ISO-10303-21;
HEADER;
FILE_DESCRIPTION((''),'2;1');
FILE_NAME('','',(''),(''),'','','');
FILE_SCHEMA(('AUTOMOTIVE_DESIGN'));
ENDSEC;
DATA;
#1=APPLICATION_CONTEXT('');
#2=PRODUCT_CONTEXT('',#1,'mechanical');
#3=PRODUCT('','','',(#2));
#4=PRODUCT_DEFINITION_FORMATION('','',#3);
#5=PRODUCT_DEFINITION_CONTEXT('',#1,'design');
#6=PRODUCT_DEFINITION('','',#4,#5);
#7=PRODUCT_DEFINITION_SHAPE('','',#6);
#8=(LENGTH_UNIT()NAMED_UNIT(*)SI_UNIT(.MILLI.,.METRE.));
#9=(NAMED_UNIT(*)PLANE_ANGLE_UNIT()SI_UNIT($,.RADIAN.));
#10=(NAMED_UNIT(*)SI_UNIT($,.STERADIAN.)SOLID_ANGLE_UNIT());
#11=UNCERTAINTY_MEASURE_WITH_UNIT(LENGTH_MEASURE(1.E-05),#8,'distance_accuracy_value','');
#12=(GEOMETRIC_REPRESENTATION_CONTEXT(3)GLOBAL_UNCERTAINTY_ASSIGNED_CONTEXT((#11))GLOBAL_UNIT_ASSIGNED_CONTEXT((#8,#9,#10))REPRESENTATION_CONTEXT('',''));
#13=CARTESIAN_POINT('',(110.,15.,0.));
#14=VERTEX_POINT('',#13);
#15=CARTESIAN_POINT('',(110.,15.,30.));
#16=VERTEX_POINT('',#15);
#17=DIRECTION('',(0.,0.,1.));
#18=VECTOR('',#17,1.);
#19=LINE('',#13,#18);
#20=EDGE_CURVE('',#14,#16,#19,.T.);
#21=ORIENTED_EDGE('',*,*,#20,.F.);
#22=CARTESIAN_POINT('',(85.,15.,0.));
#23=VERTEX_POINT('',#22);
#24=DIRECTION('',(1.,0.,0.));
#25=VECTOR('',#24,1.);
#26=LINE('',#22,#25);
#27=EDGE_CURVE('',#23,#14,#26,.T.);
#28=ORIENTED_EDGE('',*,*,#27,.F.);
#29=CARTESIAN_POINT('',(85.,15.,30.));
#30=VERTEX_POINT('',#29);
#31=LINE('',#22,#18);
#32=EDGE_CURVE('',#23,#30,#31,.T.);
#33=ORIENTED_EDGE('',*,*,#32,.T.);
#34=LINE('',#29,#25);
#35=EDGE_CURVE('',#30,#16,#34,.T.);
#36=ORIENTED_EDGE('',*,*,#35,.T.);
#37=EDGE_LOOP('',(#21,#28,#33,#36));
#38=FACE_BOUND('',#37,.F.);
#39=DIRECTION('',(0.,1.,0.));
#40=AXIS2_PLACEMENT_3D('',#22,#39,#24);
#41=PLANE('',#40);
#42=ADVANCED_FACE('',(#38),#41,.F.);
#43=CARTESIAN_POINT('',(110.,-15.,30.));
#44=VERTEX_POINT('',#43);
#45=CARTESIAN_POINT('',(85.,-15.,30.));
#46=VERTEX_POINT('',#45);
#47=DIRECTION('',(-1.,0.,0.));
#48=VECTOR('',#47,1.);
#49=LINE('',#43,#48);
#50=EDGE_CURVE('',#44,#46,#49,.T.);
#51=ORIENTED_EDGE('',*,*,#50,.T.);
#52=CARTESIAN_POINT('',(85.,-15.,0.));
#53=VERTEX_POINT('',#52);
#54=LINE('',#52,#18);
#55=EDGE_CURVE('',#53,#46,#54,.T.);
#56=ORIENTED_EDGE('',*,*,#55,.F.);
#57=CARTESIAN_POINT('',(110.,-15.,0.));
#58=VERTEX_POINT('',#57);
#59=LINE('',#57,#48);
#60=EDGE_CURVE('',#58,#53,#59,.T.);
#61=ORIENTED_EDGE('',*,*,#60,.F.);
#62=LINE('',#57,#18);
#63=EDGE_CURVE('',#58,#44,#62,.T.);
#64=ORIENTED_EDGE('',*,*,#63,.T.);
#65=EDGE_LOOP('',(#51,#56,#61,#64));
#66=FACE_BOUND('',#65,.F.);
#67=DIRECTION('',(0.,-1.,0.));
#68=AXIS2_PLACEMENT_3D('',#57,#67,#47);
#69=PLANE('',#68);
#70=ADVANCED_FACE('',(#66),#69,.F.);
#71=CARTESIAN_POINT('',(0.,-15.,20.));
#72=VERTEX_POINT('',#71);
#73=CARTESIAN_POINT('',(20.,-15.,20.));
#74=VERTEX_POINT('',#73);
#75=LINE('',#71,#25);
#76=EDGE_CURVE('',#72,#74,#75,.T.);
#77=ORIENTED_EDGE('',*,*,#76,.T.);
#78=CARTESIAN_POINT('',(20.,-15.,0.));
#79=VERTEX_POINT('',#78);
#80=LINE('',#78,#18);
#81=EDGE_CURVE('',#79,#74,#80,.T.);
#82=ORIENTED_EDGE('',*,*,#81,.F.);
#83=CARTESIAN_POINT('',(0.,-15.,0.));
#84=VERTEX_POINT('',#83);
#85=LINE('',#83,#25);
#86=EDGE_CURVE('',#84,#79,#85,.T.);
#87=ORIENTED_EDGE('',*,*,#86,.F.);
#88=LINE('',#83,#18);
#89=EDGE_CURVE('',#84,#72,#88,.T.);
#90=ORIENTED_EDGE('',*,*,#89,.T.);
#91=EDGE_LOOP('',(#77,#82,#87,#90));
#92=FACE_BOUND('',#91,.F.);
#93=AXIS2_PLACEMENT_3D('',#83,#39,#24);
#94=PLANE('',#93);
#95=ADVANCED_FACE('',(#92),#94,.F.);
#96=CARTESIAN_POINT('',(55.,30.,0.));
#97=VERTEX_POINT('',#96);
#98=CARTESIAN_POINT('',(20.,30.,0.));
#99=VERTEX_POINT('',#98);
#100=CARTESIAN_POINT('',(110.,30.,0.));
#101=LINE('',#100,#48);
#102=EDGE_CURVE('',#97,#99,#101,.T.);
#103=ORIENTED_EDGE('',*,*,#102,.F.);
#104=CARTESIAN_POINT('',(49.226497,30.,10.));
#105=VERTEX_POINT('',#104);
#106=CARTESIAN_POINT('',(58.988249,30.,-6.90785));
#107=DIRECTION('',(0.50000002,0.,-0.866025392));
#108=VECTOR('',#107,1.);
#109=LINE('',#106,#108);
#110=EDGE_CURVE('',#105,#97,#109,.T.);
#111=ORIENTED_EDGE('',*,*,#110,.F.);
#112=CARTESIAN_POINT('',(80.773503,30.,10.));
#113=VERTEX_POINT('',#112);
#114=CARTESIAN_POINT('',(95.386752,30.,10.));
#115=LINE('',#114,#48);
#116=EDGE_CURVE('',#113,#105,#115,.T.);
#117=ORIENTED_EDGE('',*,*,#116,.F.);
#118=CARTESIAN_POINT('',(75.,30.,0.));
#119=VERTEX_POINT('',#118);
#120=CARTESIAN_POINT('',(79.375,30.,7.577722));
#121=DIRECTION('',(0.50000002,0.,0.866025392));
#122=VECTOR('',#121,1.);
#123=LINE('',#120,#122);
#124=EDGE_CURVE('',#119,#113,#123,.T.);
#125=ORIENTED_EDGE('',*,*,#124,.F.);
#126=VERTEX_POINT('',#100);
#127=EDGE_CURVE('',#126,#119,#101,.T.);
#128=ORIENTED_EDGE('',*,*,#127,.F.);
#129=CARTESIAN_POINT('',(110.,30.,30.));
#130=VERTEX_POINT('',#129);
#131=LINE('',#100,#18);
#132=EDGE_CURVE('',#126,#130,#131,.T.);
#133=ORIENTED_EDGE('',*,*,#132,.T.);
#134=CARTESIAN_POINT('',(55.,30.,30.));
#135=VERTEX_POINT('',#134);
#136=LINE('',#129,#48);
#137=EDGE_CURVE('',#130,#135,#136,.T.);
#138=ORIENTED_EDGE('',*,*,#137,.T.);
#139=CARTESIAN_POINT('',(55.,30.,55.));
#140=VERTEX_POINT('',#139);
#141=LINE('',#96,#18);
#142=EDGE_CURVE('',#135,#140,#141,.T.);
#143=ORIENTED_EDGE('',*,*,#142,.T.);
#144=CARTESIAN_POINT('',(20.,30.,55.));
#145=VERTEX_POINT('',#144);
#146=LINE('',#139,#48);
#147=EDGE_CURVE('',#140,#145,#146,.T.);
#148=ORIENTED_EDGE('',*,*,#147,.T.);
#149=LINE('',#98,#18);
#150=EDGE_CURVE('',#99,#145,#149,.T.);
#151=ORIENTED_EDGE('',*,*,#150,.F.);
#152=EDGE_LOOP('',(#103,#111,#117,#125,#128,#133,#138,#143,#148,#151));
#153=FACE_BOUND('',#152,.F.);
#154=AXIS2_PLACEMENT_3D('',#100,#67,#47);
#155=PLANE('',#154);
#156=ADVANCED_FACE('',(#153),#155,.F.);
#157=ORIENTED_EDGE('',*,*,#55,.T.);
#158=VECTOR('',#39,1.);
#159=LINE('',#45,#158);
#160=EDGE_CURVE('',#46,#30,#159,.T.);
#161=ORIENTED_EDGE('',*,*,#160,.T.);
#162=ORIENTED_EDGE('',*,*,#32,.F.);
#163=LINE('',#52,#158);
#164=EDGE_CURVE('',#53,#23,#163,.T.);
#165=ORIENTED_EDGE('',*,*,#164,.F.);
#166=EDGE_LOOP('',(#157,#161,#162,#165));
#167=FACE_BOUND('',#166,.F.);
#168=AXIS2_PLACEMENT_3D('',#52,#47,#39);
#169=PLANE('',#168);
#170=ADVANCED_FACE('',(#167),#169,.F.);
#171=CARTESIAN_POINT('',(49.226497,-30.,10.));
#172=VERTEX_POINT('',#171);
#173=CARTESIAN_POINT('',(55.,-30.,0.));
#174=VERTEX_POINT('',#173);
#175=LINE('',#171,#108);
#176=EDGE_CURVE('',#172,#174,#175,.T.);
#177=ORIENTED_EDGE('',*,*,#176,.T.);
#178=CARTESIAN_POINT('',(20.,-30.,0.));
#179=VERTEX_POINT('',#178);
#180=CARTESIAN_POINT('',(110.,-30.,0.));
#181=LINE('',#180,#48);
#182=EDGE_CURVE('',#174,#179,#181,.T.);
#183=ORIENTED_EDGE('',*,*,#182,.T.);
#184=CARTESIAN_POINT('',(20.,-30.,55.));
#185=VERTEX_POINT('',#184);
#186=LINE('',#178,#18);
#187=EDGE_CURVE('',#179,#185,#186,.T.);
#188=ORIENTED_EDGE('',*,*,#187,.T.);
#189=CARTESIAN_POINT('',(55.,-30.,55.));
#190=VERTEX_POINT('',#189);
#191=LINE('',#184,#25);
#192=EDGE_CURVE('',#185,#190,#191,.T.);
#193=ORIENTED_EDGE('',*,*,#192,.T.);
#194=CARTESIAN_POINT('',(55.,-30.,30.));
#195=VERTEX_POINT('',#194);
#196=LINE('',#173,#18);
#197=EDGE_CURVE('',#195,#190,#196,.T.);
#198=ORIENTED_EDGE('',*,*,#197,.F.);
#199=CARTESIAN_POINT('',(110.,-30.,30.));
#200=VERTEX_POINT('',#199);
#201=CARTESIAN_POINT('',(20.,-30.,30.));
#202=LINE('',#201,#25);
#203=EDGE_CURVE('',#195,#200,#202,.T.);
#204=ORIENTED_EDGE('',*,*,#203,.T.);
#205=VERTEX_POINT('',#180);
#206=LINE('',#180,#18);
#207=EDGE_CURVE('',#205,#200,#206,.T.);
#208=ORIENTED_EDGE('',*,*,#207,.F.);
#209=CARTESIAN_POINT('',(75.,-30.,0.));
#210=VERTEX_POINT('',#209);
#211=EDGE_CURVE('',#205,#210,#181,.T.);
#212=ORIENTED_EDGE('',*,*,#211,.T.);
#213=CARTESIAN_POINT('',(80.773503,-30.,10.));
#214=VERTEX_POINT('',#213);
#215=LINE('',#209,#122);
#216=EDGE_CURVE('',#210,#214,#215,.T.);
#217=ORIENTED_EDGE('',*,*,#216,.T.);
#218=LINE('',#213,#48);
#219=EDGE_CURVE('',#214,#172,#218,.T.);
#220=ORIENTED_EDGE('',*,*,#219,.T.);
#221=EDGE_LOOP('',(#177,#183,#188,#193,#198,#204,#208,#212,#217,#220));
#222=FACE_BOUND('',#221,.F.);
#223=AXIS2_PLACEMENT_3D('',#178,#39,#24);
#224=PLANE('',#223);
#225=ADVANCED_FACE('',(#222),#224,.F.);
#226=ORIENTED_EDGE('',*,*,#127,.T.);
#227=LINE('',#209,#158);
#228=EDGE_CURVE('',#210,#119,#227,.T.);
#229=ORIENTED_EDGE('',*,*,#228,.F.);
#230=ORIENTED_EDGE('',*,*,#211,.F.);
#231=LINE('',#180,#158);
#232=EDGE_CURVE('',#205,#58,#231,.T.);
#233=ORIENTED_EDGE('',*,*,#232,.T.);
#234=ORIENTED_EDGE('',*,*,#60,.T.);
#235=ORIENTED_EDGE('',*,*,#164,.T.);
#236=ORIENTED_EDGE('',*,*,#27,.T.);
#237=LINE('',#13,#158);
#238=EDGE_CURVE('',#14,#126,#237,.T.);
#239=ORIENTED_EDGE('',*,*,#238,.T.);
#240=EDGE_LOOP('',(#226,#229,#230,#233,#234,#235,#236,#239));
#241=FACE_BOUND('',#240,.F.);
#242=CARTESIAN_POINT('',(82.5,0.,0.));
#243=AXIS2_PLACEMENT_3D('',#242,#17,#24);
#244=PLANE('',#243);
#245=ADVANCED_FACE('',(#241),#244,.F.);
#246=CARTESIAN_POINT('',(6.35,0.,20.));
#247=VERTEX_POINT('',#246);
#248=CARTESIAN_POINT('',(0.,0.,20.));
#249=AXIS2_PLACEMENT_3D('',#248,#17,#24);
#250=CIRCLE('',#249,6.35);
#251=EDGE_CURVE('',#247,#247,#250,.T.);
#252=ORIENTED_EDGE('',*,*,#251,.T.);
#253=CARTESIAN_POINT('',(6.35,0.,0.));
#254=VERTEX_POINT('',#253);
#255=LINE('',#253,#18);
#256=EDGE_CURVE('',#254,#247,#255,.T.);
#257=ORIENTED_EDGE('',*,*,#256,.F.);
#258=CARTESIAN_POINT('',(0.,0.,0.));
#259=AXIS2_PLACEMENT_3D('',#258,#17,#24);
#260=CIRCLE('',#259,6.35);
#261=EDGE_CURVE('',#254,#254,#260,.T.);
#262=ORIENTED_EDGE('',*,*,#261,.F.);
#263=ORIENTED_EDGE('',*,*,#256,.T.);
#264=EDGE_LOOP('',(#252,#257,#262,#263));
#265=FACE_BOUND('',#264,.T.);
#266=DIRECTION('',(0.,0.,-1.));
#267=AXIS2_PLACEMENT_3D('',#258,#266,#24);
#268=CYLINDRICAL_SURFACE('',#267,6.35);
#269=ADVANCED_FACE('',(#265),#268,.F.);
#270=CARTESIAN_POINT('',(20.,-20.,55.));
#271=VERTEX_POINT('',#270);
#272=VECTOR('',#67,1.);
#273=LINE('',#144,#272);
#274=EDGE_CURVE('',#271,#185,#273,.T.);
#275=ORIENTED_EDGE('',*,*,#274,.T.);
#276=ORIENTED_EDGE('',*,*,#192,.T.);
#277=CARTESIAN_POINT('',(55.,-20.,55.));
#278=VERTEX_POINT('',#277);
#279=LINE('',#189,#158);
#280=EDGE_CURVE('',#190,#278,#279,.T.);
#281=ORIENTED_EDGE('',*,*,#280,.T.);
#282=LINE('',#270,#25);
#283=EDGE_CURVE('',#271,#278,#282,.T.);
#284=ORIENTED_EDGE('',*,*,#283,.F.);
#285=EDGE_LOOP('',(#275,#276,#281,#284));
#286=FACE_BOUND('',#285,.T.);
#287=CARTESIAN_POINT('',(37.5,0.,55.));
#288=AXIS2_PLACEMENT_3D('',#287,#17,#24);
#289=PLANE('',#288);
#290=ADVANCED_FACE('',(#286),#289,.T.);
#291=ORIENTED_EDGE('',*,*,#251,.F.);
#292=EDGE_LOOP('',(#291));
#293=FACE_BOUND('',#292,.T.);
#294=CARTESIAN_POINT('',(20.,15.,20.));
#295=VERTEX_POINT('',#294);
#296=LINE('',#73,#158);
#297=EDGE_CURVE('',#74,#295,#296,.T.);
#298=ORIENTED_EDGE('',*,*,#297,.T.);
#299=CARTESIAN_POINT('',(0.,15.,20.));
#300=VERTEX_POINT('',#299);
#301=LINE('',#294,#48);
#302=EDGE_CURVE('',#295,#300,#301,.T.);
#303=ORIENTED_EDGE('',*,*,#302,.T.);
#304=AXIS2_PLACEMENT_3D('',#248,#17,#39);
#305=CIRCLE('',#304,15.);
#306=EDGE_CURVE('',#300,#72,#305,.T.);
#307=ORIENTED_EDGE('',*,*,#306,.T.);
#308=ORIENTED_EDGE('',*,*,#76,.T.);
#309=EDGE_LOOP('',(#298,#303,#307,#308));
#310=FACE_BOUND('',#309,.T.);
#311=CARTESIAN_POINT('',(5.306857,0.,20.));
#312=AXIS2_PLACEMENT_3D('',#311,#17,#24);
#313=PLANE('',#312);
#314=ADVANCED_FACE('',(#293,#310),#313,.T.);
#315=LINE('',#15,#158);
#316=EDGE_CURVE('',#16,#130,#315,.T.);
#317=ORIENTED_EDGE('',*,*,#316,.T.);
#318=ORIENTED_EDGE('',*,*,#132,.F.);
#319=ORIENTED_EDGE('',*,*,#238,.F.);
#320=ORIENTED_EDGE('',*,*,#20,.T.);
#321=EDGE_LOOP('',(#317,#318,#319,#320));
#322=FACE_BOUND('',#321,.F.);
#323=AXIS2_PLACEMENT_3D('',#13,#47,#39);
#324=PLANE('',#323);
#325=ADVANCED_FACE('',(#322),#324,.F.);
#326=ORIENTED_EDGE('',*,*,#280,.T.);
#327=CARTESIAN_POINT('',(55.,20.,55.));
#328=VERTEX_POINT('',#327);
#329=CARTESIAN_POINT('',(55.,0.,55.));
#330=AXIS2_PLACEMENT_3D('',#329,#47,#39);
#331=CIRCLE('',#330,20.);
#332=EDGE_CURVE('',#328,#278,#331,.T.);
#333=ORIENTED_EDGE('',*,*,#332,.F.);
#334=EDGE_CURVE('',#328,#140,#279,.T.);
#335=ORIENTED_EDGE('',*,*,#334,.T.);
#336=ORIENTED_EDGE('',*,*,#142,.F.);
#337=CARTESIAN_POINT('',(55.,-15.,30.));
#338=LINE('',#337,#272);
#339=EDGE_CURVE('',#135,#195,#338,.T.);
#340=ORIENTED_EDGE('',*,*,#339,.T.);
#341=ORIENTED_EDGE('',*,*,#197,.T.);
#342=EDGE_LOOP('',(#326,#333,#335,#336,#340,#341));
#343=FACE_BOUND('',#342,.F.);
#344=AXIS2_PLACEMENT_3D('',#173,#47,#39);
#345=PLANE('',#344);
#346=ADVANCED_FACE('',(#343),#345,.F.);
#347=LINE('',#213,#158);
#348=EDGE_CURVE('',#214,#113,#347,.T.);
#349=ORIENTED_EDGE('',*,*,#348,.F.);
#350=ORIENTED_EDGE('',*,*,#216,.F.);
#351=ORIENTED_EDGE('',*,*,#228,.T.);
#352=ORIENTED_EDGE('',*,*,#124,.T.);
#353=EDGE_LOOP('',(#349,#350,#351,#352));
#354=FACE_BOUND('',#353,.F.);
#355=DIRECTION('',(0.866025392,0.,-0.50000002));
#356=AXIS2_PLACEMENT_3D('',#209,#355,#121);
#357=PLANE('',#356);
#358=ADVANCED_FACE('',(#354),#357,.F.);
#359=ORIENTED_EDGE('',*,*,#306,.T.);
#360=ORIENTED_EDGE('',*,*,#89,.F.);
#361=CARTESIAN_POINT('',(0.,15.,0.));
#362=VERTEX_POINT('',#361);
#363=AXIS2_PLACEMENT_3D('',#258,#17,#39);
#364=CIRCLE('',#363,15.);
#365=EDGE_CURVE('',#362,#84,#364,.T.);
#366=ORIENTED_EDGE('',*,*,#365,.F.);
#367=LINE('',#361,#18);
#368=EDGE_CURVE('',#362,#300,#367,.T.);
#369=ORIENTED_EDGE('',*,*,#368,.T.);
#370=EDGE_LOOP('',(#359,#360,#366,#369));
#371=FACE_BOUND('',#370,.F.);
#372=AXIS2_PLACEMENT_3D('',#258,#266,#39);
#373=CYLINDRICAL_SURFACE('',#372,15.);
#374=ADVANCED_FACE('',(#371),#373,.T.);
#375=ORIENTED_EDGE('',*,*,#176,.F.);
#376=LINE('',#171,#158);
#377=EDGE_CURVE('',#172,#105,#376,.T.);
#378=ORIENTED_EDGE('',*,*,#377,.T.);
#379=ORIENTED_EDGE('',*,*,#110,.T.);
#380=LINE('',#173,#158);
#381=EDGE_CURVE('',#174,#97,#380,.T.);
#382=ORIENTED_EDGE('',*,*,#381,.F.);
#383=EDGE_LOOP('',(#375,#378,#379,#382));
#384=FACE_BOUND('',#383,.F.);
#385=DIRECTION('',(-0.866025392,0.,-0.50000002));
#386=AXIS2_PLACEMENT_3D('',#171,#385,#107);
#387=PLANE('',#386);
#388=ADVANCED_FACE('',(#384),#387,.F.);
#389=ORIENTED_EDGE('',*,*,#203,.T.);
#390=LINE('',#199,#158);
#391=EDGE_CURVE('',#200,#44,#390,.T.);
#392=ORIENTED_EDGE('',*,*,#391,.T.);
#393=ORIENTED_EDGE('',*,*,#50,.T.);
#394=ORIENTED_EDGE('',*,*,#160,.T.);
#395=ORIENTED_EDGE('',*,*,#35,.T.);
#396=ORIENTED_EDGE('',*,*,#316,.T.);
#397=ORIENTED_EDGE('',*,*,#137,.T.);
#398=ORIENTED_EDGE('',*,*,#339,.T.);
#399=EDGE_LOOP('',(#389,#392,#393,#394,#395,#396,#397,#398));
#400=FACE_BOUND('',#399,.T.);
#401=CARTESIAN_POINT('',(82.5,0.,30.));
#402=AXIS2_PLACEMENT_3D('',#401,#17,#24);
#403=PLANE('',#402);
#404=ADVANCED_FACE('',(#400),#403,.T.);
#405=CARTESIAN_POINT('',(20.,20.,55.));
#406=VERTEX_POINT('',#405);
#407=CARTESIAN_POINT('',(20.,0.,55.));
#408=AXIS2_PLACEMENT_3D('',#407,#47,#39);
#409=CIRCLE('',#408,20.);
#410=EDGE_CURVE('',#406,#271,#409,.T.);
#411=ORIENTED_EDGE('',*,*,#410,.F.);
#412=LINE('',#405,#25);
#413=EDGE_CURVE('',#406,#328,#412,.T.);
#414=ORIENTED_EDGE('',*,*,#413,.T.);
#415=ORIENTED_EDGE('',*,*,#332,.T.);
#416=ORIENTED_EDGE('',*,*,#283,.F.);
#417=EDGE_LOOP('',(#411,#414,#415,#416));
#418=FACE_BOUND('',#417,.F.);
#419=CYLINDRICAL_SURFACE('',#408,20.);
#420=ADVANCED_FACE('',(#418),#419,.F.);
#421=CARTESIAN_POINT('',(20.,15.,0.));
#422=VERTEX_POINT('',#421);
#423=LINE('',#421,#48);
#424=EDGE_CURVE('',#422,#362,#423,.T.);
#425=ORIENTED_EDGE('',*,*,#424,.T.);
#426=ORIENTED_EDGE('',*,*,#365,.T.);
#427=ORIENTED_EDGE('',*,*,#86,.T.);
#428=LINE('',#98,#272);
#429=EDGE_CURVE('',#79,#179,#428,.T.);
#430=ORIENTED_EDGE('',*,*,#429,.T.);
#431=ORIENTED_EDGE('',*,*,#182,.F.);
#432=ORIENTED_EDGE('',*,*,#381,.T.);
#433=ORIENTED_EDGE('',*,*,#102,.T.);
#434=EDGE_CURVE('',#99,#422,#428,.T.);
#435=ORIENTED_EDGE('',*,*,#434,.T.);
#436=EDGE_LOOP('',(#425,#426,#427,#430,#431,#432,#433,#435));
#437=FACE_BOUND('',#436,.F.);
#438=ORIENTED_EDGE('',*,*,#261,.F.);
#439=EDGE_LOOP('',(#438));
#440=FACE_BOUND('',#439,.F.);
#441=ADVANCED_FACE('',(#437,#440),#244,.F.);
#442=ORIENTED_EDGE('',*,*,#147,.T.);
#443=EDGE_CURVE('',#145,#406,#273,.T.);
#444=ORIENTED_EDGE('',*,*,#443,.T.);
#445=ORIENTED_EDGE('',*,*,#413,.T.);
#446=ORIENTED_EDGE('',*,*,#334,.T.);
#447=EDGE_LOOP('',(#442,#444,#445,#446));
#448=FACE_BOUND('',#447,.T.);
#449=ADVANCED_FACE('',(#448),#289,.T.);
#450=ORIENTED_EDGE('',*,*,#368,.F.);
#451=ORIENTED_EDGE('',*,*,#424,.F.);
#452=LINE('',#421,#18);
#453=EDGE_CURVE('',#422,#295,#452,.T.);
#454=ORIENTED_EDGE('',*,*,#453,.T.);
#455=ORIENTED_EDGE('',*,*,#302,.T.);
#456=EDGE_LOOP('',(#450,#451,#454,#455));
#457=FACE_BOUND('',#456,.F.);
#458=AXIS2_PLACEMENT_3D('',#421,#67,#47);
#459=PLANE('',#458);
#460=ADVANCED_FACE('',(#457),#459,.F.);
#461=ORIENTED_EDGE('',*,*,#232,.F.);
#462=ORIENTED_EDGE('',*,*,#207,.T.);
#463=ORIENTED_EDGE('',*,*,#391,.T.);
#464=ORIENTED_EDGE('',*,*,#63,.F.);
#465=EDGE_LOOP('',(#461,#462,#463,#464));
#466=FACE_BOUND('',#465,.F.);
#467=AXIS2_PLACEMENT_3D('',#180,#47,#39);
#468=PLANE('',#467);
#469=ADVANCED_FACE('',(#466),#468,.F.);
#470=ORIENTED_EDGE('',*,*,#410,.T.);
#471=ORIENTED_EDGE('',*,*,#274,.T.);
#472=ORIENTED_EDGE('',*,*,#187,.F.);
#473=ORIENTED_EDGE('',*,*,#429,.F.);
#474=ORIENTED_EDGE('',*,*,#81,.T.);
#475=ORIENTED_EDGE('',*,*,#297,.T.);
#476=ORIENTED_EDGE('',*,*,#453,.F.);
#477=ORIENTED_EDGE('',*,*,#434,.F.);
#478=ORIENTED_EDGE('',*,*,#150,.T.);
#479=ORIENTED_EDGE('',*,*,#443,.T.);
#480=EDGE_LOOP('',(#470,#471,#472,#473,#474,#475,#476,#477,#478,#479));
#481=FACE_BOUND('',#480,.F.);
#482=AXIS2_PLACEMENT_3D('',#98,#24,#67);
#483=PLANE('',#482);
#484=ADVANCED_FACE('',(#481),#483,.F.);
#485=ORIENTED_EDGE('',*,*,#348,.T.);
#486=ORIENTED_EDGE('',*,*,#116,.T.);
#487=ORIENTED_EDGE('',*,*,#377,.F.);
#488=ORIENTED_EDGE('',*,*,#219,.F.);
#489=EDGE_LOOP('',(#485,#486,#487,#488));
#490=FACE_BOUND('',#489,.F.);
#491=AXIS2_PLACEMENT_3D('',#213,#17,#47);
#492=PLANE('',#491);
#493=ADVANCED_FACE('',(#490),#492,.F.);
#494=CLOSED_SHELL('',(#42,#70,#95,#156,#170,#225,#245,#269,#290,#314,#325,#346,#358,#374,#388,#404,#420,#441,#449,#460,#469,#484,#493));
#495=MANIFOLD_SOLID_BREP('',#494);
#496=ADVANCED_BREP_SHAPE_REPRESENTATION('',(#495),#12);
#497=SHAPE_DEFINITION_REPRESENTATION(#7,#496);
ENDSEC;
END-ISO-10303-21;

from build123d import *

# Parameters (mm, degrees)
F0_R     = 6.35
F1_DEPTH = 20
F2_DEPTH = 30
F3_DEPTH = 55
F5_DEPTH = 90.001
F7_DEPTH = 60.001


with BuildPart() as f1:
    # F0 (on Top) → F1 (new body)
    with BuildSketch(Plane.XY):
        with BuildLine():
            Line((20, -15), (20, 15))
            Line((20, 15), (0, 15))
            ThreePointArc((0, 15), (-15, 0), (0, -15))
            Line((0, -15), (20, -15))
        make_face()
        Circle(F0_R, mode=Mode.SUBTRACT)
    extrude(amount=F1_DEPTH)

    # F0 (on Top) → F2 (join)
    with BuildSketch(Plane.XY):
        Polygon((110, 30), (55, 30), (55, -30), (110, -30), (110, -15), (85, -15), (85, 15), (110, 15), align=None)
        Polygon((55, 30), (20, 30), (20, 15), (20, -15), (20, -30), (55, -30), align=None)
    extrude(amount=F2_DEPTH)

    # F0 (on Top) → F3 (join)
    with BuildSketch(Plane.XY):
        Polygon((55, 30), (20, 30), (20, 15), (20, -15), (20, -30), (55, -30), align=None)
    extrude(amount=F3_DEPTH)

    # F4 (on face) → F5 (cut, through all)
    with BuildSketch(Plane(origin=(20, 0, 0), x_dir=(0, -1, 0), z_dir=(-1, 0, 0))):
        with BuildLine():
            Line((20, 55), (-20, 55))
            ThreePointArc((-20, 55), (0, 35), (20, 55))
        make_face()
    extrude(amount=-F5_DEPTH, mode=Mode.SUBTRACT)

    # F6 (on face) → F7 (cut, through all)
    with BuildSketch(Plane.XZ.offset(30)):
        Polygon((49.226497, 10), (55, 0), (75, 0), (80.773503, 10), align=None)
    extrude(amount=-F7_DEPTH, mode=Mode.SUBTRACT)


solid = f1.part
